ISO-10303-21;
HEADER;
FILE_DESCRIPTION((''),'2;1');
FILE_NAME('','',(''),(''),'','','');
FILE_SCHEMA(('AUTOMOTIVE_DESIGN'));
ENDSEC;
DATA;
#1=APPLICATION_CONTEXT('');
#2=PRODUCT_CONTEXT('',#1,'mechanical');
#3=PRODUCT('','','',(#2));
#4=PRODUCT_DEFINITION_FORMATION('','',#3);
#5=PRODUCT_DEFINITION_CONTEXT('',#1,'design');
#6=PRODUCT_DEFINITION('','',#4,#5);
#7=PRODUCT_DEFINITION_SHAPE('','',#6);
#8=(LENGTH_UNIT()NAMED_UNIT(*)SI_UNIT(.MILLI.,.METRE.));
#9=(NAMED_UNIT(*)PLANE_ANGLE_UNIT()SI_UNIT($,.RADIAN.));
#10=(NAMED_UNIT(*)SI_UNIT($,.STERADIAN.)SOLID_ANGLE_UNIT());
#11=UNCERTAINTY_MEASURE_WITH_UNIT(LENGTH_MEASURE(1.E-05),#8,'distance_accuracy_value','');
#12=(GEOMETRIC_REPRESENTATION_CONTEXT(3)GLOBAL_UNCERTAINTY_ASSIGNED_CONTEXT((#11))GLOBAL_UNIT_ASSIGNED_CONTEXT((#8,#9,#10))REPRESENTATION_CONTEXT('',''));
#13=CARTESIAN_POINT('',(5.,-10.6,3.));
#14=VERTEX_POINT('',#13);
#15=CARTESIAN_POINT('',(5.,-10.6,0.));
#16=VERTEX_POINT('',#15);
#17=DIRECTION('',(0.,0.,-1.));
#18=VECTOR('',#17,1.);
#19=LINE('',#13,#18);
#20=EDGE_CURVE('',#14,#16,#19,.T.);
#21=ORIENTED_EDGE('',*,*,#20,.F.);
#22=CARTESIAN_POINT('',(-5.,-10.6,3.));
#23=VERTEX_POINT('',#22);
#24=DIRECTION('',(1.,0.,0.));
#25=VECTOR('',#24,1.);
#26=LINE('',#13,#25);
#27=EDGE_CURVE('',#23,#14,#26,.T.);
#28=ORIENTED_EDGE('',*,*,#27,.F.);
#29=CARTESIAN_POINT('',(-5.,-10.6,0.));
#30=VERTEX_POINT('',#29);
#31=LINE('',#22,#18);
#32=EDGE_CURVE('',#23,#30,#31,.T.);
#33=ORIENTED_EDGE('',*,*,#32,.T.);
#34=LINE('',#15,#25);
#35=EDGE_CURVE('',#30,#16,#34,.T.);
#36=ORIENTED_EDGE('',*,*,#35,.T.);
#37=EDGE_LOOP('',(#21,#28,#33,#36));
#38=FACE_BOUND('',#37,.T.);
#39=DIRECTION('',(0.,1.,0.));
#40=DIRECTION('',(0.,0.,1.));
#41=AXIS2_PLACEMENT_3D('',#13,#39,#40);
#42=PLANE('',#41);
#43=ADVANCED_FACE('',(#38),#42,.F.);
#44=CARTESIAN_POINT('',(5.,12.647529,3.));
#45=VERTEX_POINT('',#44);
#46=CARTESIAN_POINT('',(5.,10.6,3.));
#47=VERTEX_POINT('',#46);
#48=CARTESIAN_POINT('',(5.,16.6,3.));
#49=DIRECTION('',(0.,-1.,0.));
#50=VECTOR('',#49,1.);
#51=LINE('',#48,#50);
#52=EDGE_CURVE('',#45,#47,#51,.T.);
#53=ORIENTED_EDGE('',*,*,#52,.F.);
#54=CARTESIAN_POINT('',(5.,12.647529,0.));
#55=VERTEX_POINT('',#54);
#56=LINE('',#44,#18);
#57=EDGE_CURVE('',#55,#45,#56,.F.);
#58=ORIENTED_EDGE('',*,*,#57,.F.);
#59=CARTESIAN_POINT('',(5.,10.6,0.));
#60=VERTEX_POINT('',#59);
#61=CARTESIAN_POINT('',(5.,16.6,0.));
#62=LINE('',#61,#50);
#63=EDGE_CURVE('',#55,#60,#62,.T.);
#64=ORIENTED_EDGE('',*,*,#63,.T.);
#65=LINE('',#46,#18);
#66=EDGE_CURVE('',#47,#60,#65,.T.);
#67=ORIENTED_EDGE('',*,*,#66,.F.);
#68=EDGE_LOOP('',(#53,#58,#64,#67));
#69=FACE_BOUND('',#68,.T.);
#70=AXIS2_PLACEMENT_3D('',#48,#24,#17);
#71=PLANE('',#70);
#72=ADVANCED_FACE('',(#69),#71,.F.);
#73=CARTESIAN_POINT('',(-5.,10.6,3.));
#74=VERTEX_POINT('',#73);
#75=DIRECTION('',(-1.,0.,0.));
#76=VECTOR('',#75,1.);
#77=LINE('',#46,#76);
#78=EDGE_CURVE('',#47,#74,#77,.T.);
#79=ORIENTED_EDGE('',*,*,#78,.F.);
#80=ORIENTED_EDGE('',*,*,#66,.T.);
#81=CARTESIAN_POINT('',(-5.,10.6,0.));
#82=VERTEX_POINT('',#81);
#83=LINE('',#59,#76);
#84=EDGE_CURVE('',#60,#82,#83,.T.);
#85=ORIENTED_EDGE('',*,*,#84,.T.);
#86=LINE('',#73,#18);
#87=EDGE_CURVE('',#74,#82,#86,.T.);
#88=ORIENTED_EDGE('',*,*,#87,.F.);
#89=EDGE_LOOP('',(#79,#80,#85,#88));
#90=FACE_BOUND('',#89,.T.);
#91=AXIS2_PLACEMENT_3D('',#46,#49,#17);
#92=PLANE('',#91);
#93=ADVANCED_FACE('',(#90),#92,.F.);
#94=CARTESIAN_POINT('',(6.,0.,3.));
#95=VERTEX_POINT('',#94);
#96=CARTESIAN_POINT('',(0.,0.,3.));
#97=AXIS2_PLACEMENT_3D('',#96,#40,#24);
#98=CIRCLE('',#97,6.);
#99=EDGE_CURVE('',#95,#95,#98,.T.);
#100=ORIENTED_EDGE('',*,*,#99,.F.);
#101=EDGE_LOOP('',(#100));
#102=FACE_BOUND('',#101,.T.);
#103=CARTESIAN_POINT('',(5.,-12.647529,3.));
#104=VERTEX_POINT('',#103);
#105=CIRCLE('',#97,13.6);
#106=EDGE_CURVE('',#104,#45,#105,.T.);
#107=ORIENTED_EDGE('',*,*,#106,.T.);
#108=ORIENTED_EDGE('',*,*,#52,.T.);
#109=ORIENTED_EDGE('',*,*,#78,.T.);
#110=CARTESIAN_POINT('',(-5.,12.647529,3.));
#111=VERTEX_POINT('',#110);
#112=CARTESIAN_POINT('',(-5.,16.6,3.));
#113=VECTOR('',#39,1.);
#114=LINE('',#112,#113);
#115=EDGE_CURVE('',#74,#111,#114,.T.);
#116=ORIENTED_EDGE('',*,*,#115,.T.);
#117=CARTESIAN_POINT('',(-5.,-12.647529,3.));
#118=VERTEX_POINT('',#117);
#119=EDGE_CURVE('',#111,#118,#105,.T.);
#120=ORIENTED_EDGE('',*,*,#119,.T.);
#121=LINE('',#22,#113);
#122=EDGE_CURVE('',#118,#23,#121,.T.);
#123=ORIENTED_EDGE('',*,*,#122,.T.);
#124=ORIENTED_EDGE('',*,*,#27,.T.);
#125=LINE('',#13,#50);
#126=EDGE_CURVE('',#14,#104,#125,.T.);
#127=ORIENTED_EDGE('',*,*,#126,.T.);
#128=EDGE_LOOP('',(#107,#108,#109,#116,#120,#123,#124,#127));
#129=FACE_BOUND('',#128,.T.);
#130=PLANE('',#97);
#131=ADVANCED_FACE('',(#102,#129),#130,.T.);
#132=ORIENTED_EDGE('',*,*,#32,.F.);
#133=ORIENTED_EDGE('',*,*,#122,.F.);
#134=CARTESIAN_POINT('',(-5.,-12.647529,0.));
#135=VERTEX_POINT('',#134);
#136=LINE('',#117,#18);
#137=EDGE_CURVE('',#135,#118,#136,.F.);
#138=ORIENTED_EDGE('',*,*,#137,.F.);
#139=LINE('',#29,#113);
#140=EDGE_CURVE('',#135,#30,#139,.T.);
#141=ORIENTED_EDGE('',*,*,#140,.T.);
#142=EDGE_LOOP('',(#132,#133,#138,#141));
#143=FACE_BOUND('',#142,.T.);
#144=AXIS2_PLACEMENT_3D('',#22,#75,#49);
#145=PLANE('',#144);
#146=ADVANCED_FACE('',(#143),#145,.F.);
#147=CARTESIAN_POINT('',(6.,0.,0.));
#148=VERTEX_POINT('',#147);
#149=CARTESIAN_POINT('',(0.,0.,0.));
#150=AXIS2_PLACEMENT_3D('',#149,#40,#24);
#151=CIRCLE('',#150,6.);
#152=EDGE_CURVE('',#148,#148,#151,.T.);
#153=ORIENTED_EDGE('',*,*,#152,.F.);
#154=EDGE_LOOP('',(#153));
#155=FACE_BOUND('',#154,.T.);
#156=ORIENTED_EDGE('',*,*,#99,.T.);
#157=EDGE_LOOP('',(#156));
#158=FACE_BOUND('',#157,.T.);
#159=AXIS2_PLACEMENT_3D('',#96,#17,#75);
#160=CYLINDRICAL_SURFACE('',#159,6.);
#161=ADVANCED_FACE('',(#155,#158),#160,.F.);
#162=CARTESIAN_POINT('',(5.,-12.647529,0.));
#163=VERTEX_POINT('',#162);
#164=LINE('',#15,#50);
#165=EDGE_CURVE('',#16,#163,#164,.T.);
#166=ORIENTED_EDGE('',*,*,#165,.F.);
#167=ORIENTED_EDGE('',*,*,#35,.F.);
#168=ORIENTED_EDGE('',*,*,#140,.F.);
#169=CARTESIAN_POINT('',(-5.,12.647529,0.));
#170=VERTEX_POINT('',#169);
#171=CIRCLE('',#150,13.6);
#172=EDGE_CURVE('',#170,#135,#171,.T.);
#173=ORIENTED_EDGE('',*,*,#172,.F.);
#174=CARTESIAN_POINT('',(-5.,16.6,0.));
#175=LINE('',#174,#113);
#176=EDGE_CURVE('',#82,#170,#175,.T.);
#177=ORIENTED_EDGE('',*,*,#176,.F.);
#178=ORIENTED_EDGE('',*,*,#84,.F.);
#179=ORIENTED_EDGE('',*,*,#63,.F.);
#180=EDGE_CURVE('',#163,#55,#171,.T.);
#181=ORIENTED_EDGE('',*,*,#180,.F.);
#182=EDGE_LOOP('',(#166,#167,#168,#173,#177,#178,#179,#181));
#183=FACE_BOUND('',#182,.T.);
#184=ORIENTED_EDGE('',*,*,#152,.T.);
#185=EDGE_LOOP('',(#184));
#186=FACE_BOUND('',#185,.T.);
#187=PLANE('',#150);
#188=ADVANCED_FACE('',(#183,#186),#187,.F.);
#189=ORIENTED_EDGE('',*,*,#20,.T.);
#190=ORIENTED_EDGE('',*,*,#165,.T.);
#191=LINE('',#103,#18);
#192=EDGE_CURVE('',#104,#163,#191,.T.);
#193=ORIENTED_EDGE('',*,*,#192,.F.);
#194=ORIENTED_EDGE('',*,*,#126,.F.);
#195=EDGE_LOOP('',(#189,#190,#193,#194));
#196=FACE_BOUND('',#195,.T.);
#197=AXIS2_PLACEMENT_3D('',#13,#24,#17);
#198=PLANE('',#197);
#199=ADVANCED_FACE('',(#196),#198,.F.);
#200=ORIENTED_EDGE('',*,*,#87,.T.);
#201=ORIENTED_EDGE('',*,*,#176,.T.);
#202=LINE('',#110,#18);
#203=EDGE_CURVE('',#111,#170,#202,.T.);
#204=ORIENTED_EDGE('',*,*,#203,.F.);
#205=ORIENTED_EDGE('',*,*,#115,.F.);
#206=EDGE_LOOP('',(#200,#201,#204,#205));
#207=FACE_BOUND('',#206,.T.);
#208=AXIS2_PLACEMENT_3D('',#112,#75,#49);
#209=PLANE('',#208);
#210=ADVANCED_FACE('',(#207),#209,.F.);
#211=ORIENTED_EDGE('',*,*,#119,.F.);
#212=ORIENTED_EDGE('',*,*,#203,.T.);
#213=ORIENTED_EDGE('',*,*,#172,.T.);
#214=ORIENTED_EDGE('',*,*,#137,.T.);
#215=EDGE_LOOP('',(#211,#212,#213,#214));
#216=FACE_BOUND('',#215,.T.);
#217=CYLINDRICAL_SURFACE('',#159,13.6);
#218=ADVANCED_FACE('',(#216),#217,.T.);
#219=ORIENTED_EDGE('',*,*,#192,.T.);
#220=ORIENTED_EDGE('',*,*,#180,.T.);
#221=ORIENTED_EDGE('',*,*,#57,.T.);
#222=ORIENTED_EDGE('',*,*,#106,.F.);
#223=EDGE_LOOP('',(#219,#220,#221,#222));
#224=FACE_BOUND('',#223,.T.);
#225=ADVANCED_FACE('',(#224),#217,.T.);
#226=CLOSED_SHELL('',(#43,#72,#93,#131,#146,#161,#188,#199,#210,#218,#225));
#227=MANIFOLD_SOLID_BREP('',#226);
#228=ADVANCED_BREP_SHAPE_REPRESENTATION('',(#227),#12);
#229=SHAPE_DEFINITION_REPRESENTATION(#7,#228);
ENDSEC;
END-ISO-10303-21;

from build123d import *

# Parameters (mm, degrees)
SKETCH_1_R          = 13.6
SKETCH_1_R_2        = 6
EXTRUDE_1_DEPTH     = 3
SKETCH_2_W          = 10
SKETCH_2_H          = 6
CUT_EXTRUDE_1_DEPTH = 3


with BuildPart() as part:
    # 스케치1 → 보스-돌출1 (new body)
    with BuildSketch(Plane.XY):
        Circle(SKETCH_1_R)
        Circle(SKETCH_1_R_2, mode=Mode.SUBTRACT)
    extrude(amount=EXTRUDE_1_DEPTH)

    # 스케치2 → 컷-돌출1 (cut)
    with BuildSketch(Plane(origin=(0, 0, 0), x_dir=(-1, 0, 0), z_dir=(0, 0, -1))):
        with Locations((0, -13.6)):
            Rectangle(SKETCH_2_W, SKETCH_2_H)
        with Locations((0, 13.6)):
            Rectangle(SKETCH_2_W, SKETCH_2_H)
    extrude(amount=-CUT_EXTRUDE_1_DEPTH, mode=Mode.SUBTRACT)


solid = part.part
